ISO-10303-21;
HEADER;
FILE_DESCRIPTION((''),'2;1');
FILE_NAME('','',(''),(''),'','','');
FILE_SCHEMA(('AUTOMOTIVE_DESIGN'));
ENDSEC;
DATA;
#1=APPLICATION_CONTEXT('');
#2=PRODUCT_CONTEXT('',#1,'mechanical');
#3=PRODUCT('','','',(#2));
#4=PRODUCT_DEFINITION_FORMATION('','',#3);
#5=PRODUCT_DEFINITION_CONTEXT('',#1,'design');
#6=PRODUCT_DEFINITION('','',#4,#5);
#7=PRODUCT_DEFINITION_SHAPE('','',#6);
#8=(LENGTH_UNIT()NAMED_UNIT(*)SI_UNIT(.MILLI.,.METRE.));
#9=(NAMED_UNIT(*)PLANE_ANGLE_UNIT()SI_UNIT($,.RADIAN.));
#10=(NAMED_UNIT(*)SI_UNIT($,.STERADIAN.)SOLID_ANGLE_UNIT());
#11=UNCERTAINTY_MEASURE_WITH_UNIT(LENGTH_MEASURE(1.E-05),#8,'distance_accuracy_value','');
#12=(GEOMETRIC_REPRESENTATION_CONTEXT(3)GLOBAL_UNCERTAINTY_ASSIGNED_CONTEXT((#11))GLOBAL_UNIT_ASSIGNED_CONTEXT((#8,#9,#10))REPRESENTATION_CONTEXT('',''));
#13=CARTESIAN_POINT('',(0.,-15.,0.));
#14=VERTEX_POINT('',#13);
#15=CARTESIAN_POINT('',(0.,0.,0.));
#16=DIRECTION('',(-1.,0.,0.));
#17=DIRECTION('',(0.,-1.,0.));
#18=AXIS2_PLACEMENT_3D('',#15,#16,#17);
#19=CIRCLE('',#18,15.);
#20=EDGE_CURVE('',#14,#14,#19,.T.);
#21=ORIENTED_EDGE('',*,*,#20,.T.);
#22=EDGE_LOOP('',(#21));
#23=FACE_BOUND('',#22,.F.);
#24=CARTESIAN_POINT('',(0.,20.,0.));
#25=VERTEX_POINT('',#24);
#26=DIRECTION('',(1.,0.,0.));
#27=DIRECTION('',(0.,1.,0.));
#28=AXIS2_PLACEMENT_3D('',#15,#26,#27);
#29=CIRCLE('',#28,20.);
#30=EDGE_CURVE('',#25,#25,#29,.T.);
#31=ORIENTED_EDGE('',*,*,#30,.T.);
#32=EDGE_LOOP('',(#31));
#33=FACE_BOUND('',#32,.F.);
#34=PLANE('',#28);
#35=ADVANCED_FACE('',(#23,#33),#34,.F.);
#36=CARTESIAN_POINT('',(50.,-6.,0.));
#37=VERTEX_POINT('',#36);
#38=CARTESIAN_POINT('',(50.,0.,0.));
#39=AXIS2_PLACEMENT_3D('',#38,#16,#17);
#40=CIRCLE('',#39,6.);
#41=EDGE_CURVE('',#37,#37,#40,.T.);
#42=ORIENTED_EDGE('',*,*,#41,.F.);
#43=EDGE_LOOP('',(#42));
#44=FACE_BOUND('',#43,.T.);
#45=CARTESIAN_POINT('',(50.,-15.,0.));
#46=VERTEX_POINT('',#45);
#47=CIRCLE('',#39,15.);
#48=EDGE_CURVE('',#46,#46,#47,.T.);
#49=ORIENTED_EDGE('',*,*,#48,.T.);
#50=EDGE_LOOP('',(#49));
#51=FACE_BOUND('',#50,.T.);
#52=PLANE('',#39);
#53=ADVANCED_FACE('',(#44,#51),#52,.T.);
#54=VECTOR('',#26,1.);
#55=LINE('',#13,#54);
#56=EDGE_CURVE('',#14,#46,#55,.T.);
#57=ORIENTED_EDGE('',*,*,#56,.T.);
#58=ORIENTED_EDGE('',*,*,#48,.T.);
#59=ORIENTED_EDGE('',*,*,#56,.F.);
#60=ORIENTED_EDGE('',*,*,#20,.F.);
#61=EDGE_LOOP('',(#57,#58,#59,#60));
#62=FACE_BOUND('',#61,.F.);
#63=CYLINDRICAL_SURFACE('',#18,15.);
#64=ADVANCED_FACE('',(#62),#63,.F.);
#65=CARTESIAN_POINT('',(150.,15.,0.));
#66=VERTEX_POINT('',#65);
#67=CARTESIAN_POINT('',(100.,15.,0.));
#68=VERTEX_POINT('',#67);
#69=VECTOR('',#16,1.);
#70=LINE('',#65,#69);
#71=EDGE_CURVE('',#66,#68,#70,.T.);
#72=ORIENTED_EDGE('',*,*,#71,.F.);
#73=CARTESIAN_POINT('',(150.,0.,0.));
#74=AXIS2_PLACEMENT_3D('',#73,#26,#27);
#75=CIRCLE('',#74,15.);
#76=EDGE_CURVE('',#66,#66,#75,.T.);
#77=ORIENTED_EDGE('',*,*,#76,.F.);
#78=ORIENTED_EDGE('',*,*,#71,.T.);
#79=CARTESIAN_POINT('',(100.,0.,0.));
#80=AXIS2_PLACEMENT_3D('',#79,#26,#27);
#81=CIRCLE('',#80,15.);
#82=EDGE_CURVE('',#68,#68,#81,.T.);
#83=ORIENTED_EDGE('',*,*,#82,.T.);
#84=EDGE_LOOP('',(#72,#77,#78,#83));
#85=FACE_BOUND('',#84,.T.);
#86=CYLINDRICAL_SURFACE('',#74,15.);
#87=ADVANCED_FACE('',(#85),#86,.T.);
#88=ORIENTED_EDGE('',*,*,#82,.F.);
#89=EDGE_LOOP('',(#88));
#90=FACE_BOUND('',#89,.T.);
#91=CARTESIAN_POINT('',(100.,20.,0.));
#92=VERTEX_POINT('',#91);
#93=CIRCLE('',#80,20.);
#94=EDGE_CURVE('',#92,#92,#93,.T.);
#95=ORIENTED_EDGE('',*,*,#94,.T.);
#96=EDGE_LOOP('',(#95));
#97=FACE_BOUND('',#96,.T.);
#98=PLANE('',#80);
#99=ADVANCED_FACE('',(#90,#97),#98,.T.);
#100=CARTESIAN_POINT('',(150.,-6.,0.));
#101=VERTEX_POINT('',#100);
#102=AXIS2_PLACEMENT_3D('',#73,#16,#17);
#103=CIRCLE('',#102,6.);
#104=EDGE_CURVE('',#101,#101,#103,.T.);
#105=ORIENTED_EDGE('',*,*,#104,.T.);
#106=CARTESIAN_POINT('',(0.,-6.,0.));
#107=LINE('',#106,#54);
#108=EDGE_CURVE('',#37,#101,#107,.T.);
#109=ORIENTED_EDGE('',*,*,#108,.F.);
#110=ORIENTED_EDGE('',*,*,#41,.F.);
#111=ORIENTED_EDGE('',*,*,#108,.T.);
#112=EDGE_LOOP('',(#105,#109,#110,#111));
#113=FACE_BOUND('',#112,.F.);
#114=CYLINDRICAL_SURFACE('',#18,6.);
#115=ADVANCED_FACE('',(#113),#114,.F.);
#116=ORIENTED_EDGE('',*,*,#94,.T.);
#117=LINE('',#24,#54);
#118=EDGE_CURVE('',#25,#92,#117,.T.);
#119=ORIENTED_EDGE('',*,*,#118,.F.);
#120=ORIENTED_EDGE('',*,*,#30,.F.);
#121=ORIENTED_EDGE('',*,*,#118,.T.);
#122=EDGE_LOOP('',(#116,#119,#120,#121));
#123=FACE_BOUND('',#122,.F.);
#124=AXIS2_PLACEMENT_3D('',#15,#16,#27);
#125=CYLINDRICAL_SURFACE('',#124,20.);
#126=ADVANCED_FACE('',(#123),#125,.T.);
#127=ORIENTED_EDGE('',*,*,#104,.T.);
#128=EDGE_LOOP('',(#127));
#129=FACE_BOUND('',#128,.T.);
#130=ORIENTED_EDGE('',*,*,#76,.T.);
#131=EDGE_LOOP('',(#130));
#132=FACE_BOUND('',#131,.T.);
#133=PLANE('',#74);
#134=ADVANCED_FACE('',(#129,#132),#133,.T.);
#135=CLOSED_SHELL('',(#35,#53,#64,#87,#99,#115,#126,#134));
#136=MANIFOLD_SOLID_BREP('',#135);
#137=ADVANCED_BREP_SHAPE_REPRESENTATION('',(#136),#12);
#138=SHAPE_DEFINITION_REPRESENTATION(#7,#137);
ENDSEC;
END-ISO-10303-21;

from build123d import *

# Parameters (mm, degrees)
F0_R     = 20
F1_DEPTH = 150
F2_R     = 15
F2_R_2   = 6
F3_DEPTH = 50
F4_DEPTH = 150
F5_R     = 20
F5_R_2   = 15
F6_DEPTH = 50


with BuildPart() as f1:
    # F0 (on Right) → F1 (new body)
    with BuildSketch(Plane.YZ):
        Circle(F0_R)
    extrude(amount=F1_DEPTH)

    # F2 (on face) → F3 (cut)
    with BuildSketch(Plane(origin=(0, 0, 0), x_dir=(0, -1, 0), z_dir=(-1, 0, 0))):
        Circle(F2_R)
        Circle(F2_R_2, mode=Mode.SUBTRACT)
    extrude(amount=-F3_DEPTH, mode=Mode.SUBTRACT)

    # F4 (cut): a face of the model
    f4_faces = [f1.faces().sort_by_distance(p)[0] for p in [
        (0, 0, 0),
    ]]
    extrude(f4_faces, amount=-F4_DEPTH, mode=Mode.SUBTRACT)

    # F5 (on face) → F6 (cut)
    with BuildSketch(Plane.YZ.offset(150)):
        Circle(F5_R)
        Circle(F5_R_2, mode=Mode.SUBTRACT)
    extrude(amount=-F6_DEPTH, mode=Mode.SUBTRACT)


solid = f1.part
